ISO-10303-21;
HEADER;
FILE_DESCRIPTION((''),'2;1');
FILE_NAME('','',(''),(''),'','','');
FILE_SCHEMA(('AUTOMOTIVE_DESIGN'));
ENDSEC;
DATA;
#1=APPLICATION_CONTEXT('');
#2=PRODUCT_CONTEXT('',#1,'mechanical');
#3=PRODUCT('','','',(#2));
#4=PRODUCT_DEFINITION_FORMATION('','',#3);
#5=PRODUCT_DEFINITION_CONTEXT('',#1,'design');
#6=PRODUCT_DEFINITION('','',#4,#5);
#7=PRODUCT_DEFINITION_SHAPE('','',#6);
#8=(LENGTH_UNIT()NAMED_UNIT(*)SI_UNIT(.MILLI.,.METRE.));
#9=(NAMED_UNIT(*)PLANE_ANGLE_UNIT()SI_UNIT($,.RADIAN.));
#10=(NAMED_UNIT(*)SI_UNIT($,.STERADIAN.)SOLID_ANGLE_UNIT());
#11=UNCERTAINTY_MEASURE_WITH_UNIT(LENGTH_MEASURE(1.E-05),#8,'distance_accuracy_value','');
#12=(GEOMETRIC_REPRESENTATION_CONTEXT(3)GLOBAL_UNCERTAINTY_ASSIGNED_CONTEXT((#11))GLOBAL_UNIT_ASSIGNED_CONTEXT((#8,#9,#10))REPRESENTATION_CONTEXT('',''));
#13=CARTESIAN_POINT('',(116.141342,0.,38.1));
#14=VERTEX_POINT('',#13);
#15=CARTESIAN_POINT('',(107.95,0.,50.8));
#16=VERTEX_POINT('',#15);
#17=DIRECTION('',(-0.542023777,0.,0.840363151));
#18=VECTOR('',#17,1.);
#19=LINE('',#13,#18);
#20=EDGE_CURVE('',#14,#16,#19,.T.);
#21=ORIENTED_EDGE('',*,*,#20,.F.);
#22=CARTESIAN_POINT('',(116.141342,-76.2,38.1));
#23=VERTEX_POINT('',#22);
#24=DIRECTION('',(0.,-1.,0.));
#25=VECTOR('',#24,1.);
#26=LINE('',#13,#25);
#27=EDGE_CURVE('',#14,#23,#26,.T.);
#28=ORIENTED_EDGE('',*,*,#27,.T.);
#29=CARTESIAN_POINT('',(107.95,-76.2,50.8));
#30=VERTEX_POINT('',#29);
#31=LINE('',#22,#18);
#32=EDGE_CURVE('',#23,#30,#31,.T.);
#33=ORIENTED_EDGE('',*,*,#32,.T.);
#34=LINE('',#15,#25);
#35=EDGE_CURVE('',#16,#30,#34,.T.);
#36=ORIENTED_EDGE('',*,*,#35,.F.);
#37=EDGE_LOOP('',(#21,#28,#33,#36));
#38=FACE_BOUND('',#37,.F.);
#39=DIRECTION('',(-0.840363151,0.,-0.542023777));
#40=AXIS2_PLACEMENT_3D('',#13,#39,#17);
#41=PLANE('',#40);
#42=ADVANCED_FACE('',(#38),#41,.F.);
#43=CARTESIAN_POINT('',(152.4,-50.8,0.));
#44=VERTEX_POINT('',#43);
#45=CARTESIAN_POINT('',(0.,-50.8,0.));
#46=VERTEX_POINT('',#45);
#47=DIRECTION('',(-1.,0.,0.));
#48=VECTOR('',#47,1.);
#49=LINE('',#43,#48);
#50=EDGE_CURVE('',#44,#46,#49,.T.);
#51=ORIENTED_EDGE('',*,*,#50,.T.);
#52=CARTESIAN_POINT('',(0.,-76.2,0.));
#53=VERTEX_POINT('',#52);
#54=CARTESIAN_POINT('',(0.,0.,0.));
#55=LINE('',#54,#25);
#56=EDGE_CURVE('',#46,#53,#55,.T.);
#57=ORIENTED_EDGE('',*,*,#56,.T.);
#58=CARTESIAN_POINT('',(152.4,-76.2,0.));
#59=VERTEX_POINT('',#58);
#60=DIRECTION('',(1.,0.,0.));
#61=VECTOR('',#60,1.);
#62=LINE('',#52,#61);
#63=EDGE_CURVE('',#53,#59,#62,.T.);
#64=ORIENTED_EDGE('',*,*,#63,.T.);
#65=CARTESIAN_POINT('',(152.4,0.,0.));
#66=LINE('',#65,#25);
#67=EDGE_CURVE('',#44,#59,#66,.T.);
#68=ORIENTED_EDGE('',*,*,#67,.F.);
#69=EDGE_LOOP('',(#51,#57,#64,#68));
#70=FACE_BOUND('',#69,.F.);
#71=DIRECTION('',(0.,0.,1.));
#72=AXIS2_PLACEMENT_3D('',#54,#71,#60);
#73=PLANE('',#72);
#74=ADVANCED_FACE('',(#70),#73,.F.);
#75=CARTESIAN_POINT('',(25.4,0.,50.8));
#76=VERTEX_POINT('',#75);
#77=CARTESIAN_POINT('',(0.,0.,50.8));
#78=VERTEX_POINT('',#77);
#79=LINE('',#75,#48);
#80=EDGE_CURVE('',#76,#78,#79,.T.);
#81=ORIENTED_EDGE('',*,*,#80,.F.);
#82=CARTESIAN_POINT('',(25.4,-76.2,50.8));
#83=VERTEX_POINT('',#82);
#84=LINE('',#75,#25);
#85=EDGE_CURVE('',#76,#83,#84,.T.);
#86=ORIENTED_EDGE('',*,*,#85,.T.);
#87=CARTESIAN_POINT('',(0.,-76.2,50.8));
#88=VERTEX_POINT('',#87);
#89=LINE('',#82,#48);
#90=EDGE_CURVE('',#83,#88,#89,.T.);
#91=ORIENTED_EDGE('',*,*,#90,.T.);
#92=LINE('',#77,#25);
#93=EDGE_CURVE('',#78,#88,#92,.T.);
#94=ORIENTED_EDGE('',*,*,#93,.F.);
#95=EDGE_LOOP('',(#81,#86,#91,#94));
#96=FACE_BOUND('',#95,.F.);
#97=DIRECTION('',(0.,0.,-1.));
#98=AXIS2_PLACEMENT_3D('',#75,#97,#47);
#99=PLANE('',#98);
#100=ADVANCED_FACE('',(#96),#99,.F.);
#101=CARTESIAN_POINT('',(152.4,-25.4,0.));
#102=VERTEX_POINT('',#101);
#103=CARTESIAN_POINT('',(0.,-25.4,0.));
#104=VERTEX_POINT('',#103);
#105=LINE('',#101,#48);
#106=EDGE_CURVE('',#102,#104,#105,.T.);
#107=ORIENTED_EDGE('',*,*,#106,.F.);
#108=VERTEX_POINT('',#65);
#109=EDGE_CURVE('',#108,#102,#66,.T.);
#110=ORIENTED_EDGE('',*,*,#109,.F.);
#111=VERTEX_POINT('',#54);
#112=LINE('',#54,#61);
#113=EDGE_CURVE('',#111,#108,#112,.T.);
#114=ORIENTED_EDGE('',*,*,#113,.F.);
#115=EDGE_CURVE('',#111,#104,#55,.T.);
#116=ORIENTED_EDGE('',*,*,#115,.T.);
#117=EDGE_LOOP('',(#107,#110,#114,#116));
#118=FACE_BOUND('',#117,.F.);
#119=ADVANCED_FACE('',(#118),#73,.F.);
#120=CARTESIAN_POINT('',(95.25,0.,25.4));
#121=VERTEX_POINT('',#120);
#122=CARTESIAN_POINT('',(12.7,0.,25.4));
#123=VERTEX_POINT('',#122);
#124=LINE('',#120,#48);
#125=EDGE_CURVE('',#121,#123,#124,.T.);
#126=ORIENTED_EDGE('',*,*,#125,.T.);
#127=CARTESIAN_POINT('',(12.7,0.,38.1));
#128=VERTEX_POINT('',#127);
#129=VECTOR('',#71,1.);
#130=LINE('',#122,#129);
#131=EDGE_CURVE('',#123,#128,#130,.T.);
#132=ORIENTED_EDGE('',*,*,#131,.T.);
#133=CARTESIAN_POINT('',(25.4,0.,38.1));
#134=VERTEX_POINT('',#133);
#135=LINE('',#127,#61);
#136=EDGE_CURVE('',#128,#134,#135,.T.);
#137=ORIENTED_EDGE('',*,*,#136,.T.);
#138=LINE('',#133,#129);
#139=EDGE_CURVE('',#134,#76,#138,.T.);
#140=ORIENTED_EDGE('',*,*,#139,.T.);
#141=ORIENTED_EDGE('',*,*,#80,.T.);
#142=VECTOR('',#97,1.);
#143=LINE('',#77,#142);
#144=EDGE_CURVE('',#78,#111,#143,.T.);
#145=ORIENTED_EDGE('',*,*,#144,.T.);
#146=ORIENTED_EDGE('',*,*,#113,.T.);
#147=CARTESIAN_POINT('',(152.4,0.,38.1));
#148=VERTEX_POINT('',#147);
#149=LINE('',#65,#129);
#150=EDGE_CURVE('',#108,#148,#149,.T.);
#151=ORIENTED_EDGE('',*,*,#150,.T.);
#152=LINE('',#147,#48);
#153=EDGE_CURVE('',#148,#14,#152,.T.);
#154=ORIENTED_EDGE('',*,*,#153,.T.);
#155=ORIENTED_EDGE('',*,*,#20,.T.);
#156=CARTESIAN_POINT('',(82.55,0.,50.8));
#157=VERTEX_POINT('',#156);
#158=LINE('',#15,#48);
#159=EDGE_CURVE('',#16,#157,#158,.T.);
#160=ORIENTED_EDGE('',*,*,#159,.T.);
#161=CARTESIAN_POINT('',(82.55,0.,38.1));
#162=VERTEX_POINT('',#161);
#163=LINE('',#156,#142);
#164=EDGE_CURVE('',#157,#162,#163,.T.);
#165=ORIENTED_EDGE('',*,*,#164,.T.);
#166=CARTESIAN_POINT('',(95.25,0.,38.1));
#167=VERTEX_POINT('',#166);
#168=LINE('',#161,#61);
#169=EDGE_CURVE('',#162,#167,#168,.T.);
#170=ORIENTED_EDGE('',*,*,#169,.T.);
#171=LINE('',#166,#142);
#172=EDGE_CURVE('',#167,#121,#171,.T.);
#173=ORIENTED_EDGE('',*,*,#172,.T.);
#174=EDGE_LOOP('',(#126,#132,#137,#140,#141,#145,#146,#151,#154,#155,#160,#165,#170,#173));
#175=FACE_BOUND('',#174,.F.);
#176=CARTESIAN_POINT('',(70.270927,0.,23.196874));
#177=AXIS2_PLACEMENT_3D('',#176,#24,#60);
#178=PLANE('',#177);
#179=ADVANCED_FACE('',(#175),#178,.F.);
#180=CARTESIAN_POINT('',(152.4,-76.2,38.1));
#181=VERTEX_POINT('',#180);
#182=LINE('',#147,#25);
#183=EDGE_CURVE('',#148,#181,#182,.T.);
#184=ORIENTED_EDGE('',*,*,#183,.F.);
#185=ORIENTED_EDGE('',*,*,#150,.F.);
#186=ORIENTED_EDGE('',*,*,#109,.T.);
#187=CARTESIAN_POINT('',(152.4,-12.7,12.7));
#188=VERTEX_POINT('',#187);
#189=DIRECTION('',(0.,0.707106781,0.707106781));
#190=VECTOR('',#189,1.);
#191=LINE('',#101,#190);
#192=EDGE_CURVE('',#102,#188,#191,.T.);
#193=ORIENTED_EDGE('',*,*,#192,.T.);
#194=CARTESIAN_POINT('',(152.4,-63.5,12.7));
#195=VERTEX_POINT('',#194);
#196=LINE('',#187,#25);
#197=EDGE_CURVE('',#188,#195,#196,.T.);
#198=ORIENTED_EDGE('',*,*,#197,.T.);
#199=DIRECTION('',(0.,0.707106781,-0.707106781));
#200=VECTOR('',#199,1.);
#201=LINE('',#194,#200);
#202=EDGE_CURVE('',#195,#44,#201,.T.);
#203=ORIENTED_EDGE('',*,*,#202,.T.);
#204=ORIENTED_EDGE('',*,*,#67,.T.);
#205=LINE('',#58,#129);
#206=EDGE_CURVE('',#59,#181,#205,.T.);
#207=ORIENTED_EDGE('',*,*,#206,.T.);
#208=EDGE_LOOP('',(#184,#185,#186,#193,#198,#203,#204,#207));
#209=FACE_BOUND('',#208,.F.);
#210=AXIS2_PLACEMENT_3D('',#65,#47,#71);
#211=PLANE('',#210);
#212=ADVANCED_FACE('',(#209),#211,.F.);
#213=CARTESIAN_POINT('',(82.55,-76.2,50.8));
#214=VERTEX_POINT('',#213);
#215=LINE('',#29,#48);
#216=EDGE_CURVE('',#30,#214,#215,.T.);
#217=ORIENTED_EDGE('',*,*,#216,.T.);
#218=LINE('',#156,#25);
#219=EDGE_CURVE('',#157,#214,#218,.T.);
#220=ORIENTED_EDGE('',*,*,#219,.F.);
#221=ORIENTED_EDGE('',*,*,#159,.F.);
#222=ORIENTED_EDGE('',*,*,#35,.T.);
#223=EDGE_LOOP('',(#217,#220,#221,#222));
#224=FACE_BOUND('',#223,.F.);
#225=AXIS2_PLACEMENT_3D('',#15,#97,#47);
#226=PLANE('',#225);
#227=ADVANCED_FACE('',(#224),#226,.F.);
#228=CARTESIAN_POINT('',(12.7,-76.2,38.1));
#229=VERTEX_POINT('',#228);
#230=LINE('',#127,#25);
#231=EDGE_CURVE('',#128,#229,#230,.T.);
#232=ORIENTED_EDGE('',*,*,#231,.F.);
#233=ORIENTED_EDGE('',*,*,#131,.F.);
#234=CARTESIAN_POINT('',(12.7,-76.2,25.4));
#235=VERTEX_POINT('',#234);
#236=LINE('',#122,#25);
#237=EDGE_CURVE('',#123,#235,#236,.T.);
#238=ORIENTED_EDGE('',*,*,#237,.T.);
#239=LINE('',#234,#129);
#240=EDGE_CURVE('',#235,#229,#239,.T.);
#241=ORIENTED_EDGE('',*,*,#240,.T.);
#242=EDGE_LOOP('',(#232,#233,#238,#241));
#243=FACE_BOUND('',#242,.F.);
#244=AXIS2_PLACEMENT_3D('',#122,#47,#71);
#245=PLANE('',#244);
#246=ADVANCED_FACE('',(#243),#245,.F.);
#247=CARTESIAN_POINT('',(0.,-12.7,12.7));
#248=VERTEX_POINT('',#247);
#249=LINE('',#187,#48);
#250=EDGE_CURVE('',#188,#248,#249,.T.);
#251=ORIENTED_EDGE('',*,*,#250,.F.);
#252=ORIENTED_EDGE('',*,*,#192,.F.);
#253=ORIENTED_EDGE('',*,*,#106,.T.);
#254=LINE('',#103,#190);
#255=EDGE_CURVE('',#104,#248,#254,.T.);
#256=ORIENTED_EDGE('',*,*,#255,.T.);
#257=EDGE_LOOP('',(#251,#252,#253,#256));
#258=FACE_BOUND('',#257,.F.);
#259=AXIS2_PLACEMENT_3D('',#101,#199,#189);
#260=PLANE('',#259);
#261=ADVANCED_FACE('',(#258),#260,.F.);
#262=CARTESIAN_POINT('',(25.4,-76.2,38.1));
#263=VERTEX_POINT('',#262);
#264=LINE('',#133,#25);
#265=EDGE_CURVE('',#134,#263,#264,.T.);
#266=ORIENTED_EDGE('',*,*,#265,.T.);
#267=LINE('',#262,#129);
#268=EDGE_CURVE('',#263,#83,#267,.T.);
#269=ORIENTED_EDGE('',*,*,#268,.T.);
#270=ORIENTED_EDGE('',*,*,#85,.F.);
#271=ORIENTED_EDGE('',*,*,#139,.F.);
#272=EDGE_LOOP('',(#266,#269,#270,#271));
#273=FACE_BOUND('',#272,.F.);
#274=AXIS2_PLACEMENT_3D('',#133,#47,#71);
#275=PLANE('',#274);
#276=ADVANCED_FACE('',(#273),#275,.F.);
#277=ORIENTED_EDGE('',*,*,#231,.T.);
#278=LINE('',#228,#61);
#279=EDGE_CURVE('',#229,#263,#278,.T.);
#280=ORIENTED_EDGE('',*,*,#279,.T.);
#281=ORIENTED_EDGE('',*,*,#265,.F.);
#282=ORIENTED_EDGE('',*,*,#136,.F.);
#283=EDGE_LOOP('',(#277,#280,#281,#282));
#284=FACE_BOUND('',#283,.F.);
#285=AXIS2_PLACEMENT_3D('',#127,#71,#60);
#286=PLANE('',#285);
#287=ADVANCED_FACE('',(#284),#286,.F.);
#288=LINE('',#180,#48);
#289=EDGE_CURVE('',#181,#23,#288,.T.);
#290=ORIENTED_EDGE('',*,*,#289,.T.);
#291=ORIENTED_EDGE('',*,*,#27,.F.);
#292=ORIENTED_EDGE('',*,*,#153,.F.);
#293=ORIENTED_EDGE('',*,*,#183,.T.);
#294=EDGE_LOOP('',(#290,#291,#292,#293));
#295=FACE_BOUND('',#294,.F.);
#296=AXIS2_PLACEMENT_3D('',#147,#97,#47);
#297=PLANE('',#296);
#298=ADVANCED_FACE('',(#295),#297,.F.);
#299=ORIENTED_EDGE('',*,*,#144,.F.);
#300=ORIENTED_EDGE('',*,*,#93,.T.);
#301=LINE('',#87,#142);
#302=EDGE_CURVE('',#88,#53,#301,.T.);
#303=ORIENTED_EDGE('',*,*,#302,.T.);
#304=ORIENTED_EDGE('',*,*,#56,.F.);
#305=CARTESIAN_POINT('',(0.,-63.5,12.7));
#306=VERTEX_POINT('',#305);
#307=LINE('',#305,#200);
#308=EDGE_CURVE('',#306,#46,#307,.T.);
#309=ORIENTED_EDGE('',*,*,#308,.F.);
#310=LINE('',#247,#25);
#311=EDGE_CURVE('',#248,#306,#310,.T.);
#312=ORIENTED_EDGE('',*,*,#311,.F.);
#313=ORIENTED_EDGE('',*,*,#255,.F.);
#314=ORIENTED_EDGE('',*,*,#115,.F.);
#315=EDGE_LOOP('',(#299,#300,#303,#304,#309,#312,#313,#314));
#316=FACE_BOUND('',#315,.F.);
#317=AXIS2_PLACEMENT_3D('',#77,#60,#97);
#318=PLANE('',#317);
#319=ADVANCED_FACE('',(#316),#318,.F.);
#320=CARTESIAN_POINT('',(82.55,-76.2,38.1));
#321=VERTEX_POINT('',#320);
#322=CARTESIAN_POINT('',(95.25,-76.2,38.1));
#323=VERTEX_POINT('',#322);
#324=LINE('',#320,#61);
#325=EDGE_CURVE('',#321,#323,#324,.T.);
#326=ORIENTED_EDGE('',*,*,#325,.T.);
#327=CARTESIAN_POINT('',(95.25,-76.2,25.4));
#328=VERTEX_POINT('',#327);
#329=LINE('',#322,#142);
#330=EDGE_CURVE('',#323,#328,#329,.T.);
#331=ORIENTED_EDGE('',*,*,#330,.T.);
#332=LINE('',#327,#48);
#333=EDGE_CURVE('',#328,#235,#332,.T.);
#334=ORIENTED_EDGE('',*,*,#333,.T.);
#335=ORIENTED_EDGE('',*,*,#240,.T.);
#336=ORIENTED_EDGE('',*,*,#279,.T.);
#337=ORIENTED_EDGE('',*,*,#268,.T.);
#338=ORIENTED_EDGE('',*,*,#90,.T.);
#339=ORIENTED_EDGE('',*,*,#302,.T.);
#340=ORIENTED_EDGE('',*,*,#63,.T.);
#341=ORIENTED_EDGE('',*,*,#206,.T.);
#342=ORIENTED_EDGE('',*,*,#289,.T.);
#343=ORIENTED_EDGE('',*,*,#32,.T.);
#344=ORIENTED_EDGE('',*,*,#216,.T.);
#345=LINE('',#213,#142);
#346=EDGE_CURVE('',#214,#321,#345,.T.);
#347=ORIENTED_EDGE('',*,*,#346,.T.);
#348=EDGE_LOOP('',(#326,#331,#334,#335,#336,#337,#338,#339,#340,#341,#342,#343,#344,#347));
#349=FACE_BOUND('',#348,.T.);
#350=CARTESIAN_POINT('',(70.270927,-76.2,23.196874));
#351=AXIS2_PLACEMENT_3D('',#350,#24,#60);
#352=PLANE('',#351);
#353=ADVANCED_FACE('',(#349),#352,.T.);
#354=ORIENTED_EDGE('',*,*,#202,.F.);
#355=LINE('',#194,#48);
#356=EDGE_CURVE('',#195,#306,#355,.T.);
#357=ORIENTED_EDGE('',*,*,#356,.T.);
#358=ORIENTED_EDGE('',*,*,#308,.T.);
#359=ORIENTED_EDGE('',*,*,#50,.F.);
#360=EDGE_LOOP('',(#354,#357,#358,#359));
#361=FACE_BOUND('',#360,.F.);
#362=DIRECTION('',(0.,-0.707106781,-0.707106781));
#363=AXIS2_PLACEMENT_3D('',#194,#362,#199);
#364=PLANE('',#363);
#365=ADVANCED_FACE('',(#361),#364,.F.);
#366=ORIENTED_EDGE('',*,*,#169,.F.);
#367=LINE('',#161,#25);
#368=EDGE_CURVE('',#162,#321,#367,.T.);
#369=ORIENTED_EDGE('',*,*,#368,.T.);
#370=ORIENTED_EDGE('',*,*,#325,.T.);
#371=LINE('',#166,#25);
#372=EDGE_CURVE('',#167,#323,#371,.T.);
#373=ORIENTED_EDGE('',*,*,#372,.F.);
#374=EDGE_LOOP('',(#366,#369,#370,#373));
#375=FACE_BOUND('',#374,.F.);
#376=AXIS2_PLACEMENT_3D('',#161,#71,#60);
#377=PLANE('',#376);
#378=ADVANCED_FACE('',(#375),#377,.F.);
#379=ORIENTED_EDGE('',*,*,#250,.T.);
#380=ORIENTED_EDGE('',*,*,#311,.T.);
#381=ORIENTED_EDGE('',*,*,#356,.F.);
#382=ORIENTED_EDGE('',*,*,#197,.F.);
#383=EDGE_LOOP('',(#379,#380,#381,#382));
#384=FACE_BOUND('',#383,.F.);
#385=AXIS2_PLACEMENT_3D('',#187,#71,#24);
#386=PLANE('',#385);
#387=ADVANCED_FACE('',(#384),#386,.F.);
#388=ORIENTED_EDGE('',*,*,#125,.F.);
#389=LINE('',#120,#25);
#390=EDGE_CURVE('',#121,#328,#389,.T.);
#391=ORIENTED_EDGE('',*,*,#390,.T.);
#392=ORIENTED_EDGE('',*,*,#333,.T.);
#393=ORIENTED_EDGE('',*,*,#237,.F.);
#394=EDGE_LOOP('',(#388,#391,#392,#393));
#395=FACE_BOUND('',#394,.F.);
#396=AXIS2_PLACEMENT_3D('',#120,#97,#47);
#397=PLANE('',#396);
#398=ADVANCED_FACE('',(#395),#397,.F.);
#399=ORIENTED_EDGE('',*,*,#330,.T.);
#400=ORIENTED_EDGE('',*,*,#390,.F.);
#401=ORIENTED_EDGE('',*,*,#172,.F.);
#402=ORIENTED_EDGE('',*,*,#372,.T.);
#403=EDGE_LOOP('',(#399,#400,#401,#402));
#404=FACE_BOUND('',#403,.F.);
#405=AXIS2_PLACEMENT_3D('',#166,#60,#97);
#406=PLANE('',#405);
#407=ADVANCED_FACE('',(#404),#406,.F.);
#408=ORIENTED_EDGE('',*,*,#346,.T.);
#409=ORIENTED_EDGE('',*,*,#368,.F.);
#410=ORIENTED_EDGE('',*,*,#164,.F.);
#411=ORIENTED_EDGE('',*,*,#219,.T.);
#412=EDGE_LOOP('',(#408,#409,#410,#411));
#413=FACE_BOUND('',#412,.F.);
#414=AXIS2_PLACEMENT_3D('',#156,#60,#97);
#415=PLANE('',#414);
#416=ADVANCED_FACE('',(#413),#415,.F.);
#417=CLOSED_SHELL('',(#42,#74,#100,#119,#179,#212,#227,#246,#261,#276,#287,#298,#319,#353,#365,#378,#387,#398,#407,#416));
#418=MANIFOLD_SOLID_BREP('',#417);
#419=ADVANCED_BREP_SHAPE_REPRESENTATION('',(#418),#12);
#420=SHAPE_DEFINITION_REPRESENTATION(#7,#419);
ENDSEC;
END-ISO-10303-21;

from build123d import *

# Parameters (mm, degrees)
F1_DEPTH = 76.2
F3_DEPTH = 152.4


with BuildPart() as f1:
    # F0 (on Front) → F1 (new body)
    with BuildSketch(Plane.XZ):
        Polygon((0, 50.8), (0, 0), (152.4, 0), (152.4, 38.1), (116.141342, 38.1), (107.95, 50.8), (82.55, 50.8), (82.55, 38.1), (95.25, 38.1), (95.25, 25.4), (82.55, 25.4), (12.7, 25.4), (12.7, 38.1), (25.4, 38.1), (25.4, 50.8), align=None)
    extrude(amount=F1_DEPTH)

    # F2 (on face) → F3 (cut)
    with BuildSketch(Plane.YZ.offset(152.4)):
        Polygon((-12.7, 12.7), (-38.1, 12.7), (-63.5, 12.7), (-50.8, 0), (-25.4, 0), align=None)
    extrude(amount=-F3_DEPTH, mode=Mode.SUBTRACT)


solid = f1.part
